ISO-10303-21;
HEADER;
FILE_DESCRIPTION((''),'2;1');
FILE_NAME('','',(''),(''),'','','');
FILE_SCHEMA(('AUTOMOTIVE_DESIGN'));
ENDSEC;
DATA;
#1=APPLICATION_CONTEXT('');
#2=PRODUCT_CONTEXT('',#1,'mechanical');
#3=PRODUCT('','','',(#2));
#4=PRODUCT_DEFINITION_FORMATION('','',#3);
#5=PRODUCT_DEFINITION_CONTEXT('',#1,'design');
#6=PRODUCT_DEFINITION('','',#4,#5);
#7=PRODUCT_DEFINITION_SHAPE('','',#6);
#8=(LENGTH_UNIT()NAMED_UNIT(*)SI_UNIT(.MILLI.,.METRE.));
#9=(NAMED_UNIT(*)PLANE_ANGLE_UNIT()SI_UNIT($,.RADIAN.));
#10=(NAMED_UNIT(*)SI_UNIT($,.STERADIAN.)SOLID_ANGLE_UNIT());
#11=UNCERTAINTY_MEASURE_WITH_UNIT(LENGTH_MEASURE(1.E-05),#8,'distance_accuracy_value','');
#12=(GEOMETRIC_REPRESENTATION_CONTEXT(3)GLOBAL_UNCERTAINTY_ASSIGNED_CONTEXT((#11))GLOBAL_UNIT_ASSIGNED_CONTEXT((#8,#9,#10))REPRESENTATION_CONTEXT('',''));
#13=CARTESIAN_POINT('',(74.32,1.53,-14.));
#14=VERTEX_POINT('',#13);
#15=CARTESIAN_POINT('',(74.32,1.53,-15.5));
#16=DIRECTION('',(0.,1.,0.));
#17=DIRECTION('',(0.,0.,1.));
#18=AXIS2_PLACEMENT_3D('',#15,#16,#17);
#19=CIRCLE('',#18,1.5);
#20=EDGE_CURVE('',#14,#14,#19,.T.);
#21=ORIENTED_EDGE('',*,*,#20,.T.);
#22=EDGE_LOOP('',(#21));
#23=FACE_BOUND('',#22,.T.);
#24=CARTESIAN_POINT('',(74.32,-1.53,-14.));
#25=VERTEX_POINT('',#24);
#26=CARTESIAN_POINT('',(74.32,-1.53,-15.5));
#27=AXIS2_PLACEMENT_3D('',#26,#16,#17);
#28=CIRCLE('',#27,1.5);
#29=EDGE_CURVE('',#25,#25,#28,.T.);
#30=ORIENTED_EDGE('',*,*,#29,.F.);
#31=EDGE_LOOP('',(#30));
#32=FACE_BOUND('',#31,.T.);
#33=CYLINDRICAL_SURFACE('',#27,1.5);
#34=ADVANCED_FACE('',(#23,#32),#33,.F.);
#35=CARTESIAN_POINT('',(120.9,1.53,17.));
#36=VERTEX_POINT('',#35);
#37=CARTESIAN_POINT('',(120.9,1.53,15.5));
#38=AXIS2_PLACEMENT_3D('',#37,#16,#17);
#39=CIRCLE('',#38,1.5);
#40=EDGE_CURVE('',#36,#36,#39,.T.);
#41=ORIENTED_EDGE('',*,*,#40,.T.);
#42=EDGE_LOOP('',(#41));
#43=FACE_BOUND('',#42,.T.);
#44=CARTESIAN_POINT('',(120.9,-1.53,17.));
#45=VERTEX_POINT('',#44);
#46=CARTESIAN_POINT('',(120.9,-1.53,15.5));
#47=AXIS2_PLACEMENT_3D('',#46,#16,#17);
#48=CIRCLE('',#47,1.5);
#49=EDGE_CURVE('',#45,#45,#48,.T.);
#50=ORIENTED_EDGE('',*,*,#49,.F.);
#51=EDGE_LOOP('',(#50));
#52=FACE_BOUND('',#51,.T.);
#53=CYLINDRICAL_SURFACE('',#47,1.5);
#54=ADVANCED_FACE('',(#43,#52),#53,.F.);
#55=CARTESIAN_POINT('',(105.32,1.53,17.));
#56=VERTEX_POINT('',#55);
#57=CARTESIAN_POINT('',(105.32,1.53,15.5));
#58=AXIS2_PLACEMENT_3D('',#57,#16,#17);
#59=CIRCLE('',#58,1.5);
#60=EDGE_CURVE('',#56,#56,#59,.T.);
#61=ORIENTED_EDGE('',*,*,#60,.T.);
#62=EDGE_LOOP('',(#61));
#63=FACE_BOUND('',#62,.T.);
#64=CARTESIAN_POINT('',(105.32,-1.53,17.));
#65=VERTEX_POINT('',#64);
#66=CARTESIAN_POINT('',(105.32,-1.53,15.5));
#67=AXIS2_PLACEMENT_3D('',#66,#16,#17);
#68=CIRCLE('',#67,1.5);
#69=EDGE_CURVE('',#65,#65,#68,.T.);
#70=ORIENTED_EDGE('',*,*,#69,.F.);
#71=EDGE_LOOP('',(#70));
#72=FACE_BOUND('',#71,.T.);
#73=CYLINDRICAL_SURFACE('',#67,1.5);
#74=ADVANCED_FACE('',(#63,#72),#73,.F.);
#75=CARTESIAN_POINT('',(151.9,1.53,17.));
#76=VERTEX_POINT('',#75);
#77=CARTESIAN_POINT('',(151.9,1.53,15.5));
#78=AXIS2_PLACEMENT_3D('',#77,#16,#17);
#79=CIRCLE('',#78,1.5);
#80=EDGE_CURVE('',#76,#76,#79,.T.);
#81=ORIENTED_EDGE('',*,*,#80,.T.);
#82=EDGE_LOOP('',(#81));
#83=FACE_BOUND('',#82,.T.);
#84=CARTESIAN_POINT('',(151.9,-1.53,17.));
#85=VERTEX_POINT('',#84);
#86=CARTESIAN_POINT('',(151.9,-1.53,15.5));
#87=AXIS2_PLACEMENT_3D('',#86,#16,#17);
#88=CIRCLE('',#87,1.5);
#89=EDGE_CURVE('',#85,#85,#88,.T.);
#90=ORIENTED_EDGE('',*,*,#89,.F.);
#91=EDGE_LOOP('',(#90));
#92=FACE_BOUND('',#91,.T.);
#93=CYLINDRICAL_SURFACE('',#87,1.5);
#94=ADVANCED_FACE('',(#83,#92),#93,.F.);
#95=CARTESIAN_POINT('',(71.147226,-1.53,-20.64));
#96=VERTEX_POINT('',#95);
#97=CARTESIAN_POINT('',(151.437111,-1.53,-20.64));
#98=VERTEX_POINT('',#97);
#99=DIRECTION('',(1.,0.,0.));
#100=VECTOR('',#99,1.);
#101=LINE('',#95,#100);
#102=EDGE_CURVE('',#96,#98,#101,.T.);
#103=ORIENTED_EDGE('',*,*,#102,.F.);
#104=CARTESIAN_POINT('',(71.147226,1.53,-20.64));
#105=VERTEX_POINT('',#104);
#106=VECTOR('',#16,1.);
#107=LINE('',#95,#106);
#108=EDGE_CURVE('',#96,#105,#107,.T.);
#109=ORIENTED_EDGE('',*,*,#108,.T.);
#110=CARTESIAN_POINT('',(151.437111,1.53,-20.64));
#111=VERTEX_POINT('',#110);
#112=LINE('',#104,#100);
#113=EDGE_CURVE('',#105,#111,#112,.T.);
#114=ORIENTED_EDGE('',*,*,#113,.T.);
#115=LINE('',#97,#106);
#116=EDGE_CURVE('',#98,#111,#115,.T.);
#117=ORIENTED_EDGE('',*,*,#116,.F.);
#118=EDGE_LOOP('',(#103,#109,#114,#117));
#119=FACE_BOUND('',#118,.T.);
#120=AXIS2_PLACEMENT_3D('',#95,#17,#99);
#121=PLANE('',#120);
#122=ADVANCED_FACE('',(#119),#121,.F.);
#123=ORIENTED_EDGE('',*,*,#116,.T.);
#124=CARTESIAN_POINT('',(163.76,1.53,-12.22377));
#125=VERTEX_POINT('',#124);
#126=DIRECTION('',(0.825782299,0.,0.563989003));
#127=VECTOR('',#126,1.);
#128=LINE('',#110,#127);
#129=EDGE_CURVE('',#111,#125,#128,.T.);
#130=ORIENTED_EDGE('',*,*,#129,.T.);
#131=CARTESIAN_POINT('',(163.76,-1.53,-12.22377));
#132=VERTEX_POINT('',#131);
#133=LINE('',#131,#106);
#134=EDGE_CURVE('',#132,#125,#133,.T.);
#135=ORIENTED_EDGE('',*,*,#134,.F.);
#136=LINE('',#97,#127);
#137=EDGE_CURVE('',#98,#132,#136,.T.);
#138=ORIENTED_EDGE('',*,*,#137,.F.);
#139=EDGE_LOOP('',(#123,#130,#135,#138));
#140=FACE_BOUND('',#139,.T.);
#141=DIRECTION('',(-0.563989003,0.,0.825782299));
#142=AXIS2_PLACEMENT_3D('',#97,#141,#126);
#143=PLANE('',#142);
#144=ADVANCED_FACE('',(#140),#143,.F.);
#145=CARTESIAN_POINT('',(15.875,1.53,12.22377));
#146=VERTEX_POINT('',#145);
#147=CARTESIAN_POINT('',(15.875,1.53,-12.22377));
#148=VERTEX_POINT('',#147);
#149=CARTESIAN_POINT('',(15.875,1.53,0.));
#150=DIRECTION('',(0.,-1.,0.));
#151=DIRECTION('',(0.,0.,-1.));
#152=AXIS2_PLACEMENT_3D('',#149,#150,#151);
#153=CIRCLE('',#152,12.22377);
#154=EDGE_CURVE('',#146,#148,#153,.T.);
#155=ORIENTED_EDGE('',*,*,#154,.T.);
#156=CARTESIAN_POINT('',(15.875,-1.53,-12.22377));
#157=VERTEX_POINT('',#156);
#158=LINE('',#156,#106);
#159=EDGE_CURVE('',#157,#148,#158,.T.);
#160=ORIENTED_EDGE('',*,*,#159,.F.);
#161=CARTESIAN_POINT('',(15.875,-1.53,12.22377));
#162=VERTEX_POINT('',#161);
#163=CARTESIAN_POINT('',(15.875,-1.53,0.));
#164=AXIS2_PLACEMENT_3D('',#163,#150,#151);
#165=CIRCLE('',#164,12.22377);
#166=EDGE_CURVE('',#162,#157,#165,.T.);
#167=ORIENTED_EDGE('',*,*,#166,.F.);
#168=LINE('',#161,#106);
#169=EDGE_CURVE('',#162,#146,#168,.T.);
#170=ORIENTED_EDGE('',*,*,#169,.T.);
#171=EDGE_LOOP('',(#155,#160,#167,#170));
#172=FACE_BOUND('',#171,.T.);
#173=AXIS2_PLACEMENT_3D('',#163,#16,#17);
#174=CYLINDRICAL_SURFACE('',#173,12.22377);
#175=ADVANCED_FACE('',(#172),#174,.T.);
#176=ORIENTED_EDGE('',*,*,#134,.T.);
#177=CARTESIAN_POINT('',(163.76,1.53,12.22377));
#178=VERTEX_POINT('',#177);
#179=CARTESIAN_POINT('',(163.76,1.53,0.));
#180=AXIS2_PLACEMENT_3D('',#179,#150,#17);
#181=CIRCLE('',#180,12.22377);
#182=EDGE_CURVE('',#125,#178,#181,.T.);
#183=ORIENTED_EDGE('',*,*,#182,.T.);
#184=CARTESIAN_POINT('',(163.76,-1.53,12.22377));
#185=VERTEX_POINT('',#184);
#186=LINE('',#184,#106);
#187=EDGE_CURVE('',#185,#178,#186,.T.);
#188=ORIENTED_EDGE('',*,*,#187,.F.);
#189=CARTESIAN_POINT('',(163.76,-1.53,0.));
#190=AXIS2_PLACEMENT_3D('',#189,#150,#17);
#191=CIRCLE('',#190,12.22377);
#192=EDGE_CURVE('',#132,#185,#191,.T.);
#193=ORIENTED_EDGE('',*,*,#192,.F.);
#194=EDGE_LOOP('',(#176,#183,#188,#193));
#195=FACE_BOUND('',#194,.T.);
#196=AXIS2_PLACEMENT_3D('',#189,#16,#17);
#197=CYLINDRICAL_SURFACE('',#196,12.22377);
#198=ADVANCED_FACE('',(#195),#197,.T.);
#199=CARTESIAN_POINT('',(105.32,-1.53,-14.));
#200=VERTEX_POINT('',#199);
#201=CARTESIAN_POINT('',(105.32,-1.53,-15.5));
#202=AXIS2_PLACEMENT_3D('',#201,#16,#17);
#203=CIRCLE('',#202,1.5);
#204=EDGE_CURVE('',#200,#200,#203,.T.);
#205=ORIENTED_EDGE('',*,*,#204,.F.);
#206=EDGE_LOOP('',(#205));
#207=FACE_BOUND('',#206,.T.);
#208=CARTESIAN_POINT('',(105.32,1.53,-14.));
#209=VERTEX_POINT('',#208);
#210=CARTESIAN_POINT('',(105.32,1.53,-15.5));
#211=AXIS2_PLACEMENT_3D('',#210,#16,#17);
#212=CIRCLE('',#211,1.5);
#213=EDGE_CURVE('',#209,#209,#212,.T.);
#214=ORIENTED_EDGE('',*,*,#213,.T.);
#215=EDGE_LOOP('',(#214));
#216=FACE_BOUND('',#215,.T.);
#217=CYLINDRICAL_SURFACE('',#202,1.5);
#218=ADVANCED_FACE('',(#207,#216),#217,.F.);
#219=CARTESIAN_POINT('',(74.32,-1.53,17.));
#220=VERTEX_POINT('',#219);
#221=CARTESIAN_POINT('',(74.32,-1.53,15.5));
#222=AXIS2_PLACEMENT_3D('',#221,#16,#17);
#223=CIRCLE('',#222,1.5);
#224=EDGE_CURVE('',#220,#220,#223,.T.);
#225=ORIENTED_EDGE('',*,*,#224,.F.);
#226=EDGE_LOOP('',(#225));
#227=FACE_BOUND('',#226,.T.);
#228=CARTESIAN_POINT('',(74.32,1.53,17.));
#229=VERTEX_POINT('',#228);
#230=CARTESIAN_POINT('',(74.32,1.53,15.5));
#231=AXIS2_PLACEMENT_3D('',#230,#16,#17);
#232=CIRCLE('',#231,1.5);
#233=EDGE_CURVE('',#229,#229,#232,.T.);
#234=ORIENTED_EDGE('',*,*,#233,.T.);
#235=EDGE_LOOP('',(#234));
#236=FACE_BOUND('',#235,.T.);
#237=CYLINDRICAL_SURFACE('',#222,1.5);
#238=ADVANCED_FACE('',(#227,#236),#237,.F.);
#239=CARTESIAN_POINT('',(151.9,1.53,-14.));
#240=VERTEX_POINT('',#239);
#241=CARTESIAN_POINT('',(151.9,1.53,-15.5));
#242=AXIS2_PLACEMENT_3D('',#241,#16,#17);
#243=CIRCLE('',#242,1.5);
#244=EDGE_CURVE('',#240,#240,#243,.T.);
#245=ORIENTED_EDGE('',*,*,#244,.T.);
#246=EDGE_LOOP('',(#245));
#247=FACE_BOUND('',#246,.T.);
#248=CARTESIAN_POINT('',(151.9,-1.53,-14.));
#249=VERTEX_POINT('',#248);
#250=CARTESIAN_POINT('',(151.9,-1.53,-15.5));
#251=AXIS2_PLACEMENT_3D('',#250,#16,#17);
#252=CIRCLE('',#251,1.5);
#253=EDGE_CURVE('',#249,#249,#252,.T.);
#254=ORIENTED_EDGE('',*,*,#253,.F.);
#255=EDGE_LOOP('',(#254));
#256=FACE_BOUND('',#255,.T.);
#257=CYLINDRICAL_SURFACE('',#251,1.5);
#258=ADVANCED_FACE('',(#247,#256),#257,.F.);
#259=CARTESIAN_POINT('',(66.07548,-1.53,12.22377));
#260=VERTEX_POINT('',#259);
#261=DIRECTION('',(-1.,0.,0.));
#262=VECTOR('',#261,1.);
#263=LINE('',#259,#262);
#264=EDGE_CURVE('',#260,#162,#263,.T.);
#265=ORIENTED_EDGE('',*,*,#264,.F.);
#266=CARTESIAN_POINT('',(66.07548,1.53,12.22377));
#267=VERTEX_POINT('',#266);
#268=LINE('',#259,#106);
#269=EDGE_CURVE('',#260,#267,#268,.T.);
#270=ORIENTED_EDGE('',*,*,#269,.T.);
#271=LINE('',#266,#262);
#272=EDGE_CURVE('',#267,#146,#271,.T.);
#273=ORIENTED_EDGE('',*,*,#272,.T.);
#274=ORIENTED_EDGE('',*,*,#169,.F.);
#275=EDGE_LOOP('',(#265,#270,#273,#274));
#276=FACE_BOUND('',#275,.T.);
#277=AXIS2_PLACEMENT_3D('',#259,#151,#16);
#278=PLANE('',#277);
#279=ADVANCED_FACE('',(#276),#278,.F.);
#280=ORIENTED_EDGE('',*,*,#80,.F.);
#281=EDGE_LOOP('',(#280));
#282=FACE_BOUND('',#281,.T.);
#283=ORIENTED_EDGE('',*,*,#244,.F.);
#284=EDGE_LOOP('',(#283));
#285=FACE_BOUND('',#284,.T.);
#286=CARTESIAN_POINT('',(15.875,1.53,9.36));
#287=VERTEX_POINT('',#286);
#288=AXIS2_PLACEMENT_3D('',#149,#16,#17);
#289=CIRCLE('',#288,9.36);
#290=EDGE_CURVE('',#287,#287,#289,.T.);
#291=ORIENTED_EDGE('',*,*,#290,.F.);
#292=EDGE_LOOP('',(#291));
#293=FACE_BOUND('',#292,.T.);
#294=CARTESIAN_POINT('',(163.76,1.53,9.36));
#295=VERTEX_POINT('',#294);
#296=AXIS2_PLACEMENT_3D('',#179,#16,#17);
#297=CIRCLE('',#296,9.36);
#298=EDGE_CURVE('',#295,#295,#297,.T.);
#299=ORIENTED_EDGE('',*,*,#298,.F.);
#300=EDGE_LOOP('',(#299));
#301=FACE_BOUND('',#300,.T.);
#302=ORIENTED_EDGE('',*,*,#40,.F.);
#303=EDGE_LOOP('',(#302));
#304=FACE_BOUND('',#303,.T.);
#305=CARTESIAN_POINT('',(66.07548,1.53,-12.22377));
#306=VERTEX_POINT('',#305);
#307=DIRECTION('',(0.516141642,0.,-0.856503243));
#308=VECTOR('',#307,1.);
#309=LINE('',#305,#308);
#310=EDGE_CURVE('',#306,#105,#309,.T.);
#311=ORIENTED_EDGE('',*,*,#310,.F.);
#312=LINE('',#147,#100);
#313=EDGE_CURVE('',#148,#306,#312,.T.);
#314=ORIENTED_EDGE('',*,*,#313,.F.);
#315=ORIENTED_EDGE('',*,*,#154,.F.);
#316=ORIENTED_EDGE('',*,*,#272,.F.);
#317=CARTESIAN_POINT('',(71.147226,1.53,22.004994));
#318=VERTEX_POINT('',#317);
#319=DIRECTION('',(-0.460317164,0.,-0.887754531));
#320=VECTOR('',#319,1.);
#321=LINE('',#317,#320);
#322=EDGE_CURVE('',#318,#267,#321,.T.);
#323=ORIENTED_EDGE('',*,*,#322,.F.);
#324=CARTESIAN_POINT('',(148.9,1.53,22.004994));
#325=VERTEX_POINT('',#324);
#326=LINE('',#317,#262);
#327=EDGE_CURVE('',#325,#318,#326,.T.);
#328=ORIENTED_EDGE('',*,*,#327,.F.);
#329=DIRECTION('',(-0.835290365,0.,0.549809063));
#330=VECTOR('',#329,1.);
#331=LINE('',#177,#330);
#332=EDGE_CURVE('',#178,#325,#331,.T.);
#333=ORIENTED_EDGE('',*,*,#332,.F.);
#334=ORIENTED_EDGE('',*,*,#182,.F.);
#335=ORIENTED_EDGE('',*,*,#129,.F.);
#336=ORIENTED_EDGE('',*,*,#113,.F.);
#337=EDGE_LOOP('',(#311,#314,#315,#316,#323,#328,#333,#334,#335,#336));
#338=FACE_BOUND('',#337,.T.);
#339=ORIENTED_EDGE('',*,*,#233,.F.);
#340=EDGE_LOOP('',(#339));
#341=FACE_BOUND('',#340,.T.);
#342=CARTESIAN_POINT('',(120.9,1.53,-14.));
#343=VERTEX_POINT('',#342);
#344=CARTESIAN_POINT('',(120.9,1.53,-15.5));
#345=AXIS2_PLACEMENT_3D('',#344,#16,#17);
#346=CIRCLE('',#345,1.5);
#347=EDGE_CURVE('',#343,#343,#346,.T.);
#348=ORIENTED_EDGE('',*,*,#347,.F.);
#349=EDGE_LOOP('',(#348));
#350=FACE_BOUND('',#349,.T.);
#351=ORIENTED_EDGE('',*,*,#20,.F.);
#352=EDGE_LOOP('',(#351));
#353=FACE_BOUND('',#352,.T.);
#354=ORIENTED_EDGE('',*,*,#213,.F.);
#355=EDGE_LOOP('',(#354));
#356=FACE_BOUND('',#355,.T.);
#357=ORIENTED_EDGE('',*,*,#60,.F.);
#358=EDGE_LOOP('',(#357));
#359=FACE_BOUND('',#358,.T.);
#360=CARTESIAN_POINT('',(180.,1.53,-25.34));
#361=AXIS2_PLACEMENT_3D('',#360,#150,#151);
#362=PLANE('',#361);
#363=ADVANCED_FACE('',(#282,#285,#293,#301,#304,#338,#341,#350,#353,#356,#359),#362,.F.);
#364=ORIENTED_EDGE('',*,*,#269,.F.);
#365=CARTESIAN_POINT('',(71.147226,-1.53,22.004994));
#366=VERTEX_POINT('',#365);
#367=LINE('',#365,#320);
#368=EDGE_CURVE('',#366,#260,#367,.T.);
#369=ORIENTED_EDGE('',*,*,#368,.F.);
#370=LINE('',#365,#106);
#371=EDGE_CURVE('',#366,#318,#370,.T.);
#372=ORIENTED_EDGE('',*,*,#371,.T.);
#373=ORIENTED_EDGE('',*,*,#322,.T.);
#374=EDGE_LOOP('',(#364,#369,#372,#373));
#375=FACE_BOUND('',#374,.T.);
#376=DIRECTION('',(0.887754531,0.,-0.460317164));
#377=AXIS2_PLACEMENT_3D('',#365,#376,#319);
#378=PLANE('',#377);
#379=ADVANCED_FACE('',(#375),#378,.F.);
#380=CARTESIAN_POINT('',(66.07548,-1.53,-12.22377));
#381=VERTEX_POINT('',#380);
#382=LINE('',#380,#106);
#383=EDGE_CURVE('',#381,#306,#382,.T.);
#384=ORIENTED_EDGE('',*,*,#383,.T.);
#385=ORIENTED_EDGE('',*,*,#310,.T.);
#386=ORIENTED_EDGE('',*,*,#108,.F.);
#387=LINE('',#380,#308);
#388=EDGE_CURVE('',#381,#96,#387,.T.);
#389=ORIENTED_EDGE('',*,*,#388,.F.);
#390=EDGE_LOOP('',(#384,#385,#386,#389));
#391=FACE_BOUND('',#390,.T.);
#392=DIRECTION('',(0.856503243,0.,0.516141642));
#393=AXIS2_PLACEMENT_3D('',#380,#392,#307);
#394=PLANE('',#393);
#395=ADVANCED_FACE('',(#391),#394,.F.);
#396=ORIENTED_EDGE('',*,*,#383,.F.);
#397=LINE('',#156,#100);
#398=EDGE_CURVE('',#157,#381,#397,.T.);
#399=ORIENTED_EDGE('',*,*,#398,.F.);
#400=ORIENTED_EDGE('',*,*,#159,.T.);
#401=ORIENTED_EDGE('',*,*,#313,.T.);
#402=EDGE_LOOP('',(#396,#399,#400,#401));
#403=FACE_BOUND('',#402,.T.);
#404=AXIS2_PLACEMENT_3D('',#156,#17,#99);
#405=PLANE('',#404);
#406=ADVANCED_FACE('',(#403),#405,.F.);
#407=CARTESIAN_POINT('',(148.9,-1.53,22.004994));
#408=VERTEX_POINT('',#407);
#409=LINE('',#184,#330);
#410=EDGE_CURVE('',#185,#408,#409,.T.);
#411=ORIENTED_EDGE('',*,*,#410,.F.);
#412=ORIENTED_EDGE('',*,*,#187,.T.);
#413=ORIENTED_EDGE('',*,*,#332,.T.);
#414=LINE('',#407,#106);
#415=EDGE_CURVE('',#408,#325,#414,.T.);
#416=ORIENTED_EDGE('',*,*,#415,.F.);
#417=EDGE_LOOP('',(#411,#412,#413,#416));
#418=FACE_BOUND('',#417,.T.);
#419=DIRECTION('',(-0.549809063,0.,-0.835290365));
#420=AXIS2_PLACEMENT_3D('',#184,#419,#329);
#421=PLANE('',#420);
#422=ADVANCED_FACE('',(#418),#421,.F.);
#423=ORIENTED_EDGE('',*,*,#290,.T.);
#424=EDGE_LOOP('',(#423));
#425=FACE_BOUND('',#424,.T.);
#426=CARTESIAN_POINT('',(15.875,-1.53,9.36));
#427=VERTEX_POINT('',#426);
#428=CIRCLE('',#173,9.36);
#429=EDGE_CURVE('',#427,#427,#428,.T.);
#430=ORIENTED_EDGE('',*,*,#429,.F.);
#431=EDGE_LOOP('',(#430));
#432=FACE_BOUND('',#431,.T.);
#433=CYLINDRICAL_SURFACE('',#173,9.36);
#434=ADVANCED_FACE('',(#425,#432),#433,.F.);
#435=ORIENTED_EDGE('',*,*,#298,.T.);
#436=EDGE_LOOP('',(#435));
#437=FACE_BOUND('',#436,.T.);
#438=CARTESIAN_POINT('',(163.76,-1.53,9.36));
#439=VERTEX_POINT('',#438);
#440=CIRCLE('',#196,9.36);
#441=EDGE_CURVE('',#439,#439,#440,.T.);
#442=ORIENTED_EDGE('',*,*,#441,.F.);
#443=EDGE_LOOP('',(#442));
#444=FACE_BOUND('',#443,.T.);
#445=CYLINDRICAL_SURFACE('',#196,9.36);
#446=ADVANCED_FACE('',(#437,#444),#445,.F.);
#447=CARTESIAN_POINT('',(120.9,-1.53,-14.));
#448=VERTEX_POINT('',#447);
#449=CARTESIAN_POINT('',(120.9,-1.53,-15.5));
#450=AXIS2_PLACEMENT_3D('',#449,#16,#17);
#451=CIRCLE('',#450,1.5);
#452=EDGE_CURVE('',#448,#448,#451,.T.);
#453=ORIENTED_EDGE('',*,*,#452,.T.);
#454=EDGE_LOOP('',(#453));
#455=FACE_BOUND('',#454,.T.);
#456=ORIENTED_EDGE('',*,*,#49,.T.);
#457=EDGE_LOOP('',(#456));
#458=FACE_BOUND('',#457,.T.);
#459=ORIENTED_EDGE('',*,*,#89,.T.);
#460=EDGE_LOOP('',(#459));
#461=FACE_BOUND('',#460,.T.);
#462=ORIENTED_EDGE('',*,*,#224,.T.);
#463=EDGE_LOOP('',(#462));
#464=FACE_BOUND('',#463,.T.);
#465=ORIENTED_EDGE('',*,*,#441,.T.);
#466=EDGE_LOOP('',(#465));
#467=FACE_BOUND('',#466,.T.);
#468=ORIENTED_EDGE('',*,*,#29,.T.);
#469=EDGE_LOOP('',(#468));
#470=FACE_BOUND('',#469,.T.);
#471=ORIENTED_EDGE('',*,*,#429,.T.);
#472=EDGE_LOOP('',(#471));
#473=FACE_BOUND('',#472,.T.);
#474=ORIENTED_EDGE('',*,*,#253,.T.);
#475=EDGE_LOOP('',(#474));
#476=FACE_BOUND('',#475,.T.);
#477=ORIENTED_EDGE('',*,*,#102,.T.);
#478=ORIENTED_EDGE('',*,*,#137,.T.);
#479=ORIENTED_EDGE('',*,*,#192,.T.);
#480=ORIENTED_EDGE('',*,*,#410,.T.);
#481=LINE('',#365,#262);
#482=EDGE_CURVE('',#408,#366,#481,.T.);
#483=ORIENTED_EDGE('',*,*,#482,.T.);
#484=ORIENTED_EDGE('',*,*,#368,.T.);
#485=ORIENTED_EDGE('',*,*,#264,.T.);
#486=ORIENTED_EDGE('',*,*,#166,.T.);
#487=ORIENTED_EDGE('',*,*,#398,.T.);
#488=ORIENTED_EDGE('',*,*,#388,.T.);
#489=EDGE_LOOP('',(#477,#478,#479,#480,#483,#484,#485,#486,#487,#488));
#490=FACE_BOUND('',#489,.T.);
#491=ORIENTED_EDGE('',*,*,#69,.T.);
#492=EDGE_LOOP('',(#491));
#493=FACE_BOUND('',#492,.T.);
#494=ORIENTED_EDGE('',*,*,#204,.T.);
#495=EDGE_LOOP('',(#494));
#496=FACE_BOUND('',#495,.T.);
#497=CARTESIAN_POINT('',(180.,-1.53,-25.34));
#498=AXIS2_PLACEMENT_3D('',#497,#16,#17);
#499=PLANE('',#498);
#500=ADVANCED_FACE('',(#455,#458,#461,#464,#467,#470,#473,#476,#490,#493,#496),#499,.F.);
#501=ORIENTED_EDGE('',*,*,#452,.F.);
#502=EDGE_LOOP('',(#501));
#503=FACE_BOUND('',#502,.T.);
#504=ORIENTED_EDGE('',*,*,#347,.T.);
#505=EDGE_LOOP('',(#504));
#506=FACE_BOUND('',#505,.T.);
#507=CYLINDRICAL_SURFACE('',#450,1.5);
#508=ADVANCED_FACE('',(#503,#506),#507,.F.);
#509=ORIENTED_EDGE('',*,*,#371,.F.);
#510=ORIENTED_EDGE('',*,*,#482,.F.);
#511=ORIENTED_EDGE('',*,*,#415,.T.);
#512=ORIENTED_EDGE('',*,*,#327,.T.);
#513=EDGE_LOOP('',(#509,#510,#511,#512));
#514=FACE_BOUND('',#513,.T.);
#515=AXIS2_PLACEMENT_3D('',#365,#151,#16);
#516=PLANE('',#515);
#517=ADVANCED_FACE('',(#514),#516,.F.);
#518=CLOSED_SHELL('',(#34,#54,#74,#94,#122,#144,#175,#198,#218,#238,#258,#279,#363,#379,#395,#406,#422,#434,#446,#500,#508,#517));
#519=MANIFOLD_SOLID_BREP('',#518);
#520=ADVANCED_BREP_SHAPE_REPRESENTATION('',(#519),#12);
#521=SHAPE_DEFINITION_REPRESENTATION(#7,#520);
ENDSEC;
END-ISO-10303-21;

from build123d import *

# Parameters (mm, degrees)
SKETCH5_W          = 50.68
SKETCH5_H          = 3.06
EXTRUDE2_DEPTH     = 180
SKETCH6_R          = 9.36
SKETCH6_R_2        = 1.5
CUT_EXTRUDE3_DEPTH = 182.800657865
SKETCH7_W          = 77.752773683
SKETCH7_H          = 3.335005788
CUT_EXTRUDE4_DEPTH = 178.825100476


with BuildPart() as part:
    # Sketch5 → Extrude2 (new body)
    with BuildSketch(Plane(origin=(0, 0, 0), x_dir=(0, 0, -1), z_dir=(1, 0, 0))):
        Rectangle(SKETCH5_W, SKETCH5_H)
    extrude(amount=EXTRUDE2_DEPTH)

    # Sketch6 → Cut-Extrude3 (cut, through all)
    with BuildSketch(Plane(origin=(0, 1.53, 0), x_dir=(-1, 0, 0), z_dir=(0, 1, 0))):
        with Locations(Location((-15.875, 0, 0), (0, 0, 90))):
            Circle(SKETCH6_R)
        with Locations(Location((-74.32, -15.5, 0), (0, 0, 90))):
            Circle(SKETCH6_R_2)
        with Locations(Location((-74.32, 15.5, 0), (0, 0, 90))):
            Circle(SKETCH6_R_2)
        with Locations(Location((-105.32, -15.5, 0), (0, 0, 90))):
            Circle(SKETCH6_R_2)
        with Locations(Location((-105.32, 15.5, 0), (0, 0, 90))):
            Circle(SKETCH6_R_2)
        with Locations(Location((-120.9, -15.5, 0), (0, 0, 90))):
            Circle(SKETCH6_R_2)
        with Locations(Location((-120.9, 15.5, 0), (0, 0, 90))):
            Circle(SKETCH6_R_2)
        with Locations(Location((-151.9, -15.5, 0), (0, 0, 90))):
            Circle(SKETCH6_R_2)
        with Locations(Location((-151.9, 15.5, 0), (0, 0, 90))):
            Circle(SKETCH6_R_2)
        with Locations(Location((-163.76, 0, 0), (0, 0, 90))):
            Circle(SKETCH6_R)
        with BuildLine():
            Line((-163.76, 12.223769591), (-148.9, 22.004994212))
            Line((-148.9, 22.004994212), (-148.9, 25.34))
            Line((-148.9, 25.34), (-180, 25.34))
            Line((-180, 25.34), (-180, -25.34))
            Line((-180, -25.34), (0, -25.34))
            Line((0, -25.34), (0, 25.34))
            Line((0, 25.34), (-71.147226317, 25.34))
            Line((-71.147226317, 25.34), (-71.147226317, 22.004994212))
            Line((-71.147226317, 22.004994212), (-66.075480217, 12.223769591))
            Line((-66.075480217, 12.223769591), (-15.875, 12.223769591))
            ThreePointArc((-15.875, 12.223769591), (-3.651230409, 0), (-15.875, -12.223769591))
            Line((-15.875, -12.223769591), (-66.075480217, -12.223769591))
            Line((-66.075480217, -12.223769591), (-71.147226317, -20.64))
            Line((-71.147226317, -20.64), (-151.43711062, -20.64))
            Line((-151.43711062, -20.64), (-163.76, -12.223769591))
            ThreePointArc((-163.76, -12.223769591), (-175.983769591, 0), (-163.76, 12.223769591))
        make_face()
    extrude(amount=-CUT_EXTRUDE3_DEPTH, mode=Mode.SUBTRACT)

    # Sketch7 → Cut-Extrude4 (cut, through all)
    with BuildSketch(Plane(origin=(0, 1.53, 0), x_dir=(-1, 0, 0), z_dir=(0, 1, 0))):
        with Locations((-110.023613159, 23.672497106)):
            Rectangle(SKETCH7_W, SKETCH7_H)
    extrude(amount=-CUT_EXTRUDE4_DEPTH, mode=Mode.SUBTRACT)


solid = part.part
